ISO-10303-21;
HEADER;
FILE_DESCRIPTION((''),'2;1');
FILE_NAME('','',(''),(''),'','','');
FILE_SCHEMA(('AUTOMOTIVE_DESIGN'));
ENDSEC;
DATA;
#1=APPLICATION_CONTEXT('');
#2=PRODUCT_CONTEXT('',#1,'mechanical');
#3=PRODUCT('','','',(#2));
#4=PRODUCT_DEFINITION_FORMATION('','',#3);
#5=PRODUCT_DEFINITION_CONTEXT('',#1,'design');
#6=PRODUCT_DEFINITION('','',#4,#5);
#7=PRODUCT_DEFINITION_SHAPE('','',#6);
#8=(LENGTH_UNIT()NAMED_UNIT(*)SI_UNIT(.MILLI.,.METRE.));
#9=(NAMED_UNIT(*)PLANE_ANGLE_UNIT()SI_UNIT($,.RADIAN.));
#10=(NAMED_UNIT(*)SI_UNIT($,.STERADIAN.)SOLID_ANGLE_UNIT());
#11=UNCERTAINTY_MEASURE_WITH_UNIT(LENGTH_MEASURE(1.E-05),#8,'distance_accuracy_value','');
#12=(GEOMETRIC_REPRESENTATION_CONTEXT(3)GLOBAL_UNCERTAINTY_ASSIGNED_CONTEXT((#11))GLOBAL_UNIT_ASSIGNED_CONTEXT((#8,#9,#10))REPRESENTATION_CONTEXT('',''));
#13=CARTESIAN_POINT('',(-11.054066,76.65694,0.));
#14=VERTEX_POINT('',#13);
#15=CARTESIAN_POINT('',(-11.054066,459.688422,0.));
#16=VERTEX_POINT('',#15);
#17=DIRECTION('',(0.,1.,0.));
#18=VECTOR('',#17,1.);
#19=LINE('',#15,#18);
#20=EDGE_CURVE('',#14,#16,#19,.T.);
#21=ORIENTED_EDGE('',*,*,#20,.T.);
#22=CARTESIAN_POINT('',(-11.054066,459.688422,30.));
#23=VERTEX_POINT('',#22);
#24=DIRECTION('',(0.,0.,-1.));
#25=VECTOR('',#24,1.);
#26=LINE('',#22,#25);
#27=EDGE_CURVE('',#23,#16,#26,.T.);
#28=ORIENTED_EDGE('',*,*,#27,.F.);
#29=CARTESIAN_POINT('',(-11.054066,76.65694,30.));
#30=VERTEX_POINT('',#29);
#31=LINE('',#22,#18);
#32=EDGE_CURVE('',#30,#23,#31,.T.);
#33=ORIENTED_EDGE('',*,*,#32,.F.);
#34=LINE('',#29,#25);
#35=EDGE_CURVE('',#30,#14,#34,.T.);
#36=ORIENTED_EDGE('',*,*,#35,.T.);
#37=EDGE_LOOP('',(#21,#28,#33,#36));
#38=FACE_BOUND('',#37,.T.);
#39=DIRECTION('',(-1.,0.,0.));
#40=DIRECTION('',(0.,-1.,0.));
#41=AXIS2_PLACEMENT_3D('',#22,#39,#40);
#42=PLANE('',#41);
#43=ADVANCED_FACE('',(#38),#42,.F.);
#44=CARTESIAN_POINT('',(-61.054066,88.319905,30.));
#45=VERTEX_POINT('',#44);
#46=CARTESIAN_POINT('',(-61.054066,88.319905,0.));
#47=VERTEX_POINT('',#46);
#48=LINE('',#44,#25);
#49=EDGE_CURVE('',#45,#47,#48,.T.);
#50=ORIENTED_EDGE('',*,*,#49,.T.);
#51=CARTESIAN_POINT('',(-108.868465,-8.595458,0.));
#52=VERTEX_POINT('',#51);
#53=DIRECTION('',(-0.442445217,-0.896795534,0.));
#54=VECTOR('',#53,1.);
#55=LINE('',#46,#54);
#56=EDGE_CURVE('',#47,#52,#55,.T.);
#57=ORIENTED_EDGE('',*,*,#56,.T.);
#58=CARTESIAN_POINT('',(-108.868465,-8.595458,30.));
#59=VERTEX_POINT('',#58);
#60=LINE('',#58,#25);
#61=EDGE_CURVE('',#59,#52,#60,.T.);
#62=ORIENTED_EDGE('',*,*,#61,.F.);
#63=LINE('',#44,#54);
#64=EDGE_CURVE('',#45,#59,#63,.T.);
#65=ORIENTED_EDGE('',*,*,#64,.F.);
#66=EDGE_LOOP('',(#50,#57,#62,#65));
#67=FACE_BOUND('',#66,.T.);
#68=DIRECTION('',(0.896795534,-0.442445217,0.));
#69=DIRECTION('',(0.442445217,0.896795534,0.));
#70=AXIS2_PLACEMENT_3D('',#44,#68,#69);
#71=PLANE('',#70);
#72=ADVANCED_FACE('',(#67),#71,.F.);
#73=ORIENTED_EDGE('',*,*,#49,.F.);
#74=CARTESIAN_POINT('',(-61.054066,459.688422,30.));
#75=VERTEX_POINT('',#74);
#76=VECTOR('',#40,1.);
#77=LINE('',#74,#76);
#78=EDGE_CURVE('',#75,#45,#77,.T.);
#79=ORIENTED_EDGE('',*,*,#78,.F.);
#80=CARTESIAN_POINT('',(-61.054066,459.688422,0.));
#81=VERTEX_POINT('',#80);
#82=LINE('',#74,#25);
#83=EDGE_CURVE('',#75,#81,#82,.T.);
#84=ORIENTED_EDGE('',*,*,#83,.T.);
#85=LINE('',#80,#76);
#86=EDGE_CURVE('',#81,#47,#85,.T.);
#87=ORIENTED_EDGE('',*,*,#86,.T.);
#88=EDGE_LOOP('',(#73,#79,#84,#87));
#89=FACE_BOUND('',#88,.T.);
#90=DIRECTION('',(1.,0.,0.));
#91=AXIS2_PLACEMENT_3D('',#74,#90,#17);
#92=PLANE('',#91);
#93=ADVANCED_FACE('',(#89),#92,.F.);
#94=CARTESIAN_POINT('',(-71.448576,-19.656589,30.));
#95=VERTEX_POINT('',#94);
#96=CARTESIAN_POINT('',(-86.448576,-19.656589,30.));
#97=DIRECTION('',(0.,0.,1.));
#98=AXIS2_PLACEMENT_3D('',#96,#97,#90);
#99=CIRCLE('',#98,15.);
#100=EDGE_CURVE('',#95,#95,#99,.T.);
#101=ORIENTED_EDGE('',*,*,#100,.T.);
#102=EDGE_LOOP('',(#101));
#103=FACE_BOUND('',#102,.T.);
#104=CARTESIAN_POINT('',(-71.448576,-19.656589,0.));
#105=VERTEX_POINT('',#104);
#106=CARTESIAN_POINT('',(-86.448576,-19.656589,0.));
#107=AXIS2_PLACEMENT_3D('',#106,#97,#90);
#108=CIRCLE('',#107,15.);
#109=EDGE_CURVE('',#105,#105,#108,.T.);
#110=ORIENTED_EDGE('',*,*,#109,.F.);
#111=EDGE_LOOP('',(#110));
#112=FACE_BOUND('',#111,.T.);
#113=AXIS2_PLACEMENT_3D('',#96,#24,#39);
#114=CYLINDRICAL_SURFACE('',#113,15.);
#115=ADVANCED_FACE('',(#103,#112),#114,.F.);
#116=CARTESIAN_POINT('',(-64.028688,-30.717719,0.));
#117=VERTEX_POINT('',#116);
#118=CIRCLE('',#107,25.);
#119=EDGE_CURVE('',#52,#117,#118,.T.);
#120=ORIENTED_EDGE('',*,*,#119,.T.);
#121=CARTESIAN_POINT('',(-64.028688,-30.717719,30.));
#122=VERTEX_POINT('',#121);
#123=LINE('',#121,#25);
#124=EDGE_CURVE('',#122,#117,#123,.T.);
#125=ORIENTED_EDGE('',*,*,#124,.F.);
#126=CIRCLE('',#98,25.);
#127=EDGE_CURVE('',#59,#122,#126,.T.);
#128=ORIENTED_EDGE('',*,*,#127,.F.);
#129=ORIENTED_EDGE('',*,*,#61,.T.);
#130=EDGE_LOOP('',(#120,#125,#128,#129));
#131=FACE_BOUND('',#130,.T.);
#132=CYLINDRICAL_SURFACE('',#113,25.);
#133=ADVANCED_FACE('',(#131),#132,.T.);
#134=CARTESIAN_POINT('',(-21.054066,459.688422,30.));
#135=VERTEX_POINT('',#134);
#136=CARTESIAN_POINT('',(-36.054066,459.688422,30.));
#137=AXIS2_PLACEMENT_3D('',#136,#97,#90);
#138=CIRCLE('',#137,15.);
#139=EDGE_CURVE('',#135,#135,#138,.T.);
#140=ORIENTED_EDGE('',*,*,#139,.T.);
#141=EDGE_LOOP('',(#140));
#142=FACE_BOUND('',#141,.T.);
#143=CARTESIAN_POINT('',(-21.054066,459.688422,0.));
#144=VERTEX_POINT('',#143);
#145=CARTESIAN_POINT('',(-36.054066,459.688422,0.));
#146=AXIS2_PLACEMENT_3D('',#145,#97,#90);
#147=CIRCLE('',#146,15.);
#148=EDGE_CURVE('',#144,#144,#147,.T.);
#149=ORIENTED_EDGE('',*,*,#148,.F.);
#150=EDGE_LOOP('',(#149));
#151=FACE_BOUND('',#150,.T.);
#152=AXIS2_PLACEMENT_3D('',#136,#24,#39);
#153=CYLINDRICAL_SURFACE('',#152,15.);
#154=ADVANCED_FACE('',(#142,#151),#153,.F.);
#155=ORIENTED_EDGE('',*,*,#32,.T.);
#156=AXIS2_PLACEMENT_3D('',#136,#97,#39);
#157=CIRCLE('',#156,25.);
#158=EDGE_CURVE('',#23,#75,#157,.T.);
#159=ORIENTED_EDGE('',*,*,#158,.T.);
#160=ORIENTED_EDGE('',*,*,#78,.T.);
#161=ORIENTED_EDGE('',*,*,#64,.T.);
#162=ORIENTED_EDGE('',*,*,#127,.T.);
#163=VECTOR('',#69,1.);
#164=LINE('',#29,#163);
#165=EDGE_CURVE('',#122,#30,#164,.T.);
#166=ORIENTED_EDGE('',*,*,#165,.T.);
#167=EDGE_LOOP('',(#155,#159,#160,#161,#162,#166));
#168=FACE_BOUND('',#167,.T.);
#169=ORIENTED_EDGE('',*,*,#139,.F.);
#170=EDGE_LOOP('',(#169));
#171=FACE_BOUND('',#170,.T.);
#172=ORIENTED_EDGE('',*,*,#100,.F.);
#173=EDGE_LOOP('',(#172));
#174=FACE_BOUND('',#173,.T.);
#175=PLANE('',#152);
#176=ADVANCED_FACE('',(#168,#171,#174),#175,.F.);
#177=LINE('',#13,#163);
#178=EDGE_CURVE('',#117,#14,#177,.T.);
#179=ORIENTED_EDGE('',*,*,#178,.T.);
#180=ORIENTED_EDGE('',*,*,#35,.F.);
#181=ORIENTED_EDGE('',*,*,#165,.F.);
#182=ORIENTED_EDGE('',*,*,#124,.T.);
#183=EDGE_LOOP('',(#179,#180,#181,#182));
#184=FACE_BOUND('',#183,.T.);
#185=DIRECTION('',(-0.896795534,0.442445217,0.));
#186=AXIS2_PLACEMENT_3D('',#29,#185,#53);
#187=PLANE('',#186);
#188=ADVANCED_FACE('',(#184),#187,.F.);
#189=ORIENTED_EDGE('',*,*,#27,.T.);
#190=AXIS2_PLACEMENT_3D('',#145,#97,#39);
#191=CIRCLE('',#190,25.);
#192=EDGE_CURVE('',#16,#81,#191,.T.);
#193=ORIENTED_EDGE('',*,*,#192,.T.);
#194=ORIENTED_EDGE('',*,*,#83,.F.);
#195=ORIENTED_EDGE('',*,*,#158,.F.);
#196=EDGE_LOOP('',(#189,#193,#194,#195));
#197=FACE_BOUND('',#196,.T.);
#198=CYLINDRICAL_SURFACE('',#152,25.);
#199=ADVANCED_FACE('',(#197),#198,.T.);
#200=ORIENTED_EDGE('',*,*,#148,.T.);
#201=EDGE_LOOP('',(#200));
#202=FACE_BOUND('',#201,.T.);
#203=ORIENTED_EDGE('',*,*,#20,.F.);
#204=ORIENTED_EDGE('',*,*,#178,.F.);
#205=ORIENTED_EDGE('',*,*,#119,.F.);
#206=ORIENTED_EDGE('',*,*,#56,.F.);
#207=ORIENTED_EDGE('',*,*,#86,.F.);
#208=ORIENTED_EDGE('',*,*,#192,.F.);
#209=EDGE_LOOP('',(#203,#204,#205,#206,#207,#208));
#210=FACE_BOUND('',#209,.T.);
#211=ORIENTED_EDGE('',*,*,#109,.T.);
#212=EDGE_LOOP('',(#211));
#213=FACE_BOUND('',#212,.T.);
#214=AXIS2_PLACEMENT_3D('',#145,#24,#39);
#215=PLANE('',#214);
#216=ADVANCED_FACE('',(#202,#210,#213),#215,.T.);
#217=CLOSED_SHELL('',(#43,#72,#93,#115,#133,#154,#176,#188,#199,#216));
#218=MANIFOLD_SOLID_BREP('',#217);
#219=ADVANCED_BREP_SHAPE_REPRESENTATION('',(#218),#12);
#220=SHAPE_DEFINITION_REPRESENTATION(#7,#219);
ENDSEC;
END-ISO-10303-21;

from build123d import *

# Parameters (mm, degrees)
SKETCH1_R           = 15
BOSS_EXTRUDE1_DEPTH = 30


with BuildPart() as part:
    # Sketch1 → Boss-Extrude1 (new body)
    with BuildSketch(Plane.XY):
        with BuildLine():
            Line((-61.054066009, 459.688422397), (-61.054066009, 88.319905145))
            Line((-61.054066009, 88.319905145), (-108.868464608, -8.595458486))
            ThreePointArc((-108.868464608, -8.595458486), (-97.509706692, -42.076477267), (-64.028687911, -30.717719351))
            Line((-64.028687911, -30.717719351), (-11.054066009, 76.656939649))
            Line((-11.054066009, 76.656939649), (-11.054066009, 459.688422397))
            ThreePointArc((-11.054066009, 459.688422397), (-36.054066009, 484.688422397), (-61.054066009, 459.688422397))
        make_face()
        with Locations((-36.054066009, 459.688422397)):
            Circle(SKETCH1_R, mode=Mode.SUBTRACT)
        with Locations((-86.44857626, -19.656588918)):
            Circle(SKETCH1_R, mode=Mode.SUBTRACT)
    extrude(amount=BOSS_EXTRUDE1_DEPTH)


solid = part.part
